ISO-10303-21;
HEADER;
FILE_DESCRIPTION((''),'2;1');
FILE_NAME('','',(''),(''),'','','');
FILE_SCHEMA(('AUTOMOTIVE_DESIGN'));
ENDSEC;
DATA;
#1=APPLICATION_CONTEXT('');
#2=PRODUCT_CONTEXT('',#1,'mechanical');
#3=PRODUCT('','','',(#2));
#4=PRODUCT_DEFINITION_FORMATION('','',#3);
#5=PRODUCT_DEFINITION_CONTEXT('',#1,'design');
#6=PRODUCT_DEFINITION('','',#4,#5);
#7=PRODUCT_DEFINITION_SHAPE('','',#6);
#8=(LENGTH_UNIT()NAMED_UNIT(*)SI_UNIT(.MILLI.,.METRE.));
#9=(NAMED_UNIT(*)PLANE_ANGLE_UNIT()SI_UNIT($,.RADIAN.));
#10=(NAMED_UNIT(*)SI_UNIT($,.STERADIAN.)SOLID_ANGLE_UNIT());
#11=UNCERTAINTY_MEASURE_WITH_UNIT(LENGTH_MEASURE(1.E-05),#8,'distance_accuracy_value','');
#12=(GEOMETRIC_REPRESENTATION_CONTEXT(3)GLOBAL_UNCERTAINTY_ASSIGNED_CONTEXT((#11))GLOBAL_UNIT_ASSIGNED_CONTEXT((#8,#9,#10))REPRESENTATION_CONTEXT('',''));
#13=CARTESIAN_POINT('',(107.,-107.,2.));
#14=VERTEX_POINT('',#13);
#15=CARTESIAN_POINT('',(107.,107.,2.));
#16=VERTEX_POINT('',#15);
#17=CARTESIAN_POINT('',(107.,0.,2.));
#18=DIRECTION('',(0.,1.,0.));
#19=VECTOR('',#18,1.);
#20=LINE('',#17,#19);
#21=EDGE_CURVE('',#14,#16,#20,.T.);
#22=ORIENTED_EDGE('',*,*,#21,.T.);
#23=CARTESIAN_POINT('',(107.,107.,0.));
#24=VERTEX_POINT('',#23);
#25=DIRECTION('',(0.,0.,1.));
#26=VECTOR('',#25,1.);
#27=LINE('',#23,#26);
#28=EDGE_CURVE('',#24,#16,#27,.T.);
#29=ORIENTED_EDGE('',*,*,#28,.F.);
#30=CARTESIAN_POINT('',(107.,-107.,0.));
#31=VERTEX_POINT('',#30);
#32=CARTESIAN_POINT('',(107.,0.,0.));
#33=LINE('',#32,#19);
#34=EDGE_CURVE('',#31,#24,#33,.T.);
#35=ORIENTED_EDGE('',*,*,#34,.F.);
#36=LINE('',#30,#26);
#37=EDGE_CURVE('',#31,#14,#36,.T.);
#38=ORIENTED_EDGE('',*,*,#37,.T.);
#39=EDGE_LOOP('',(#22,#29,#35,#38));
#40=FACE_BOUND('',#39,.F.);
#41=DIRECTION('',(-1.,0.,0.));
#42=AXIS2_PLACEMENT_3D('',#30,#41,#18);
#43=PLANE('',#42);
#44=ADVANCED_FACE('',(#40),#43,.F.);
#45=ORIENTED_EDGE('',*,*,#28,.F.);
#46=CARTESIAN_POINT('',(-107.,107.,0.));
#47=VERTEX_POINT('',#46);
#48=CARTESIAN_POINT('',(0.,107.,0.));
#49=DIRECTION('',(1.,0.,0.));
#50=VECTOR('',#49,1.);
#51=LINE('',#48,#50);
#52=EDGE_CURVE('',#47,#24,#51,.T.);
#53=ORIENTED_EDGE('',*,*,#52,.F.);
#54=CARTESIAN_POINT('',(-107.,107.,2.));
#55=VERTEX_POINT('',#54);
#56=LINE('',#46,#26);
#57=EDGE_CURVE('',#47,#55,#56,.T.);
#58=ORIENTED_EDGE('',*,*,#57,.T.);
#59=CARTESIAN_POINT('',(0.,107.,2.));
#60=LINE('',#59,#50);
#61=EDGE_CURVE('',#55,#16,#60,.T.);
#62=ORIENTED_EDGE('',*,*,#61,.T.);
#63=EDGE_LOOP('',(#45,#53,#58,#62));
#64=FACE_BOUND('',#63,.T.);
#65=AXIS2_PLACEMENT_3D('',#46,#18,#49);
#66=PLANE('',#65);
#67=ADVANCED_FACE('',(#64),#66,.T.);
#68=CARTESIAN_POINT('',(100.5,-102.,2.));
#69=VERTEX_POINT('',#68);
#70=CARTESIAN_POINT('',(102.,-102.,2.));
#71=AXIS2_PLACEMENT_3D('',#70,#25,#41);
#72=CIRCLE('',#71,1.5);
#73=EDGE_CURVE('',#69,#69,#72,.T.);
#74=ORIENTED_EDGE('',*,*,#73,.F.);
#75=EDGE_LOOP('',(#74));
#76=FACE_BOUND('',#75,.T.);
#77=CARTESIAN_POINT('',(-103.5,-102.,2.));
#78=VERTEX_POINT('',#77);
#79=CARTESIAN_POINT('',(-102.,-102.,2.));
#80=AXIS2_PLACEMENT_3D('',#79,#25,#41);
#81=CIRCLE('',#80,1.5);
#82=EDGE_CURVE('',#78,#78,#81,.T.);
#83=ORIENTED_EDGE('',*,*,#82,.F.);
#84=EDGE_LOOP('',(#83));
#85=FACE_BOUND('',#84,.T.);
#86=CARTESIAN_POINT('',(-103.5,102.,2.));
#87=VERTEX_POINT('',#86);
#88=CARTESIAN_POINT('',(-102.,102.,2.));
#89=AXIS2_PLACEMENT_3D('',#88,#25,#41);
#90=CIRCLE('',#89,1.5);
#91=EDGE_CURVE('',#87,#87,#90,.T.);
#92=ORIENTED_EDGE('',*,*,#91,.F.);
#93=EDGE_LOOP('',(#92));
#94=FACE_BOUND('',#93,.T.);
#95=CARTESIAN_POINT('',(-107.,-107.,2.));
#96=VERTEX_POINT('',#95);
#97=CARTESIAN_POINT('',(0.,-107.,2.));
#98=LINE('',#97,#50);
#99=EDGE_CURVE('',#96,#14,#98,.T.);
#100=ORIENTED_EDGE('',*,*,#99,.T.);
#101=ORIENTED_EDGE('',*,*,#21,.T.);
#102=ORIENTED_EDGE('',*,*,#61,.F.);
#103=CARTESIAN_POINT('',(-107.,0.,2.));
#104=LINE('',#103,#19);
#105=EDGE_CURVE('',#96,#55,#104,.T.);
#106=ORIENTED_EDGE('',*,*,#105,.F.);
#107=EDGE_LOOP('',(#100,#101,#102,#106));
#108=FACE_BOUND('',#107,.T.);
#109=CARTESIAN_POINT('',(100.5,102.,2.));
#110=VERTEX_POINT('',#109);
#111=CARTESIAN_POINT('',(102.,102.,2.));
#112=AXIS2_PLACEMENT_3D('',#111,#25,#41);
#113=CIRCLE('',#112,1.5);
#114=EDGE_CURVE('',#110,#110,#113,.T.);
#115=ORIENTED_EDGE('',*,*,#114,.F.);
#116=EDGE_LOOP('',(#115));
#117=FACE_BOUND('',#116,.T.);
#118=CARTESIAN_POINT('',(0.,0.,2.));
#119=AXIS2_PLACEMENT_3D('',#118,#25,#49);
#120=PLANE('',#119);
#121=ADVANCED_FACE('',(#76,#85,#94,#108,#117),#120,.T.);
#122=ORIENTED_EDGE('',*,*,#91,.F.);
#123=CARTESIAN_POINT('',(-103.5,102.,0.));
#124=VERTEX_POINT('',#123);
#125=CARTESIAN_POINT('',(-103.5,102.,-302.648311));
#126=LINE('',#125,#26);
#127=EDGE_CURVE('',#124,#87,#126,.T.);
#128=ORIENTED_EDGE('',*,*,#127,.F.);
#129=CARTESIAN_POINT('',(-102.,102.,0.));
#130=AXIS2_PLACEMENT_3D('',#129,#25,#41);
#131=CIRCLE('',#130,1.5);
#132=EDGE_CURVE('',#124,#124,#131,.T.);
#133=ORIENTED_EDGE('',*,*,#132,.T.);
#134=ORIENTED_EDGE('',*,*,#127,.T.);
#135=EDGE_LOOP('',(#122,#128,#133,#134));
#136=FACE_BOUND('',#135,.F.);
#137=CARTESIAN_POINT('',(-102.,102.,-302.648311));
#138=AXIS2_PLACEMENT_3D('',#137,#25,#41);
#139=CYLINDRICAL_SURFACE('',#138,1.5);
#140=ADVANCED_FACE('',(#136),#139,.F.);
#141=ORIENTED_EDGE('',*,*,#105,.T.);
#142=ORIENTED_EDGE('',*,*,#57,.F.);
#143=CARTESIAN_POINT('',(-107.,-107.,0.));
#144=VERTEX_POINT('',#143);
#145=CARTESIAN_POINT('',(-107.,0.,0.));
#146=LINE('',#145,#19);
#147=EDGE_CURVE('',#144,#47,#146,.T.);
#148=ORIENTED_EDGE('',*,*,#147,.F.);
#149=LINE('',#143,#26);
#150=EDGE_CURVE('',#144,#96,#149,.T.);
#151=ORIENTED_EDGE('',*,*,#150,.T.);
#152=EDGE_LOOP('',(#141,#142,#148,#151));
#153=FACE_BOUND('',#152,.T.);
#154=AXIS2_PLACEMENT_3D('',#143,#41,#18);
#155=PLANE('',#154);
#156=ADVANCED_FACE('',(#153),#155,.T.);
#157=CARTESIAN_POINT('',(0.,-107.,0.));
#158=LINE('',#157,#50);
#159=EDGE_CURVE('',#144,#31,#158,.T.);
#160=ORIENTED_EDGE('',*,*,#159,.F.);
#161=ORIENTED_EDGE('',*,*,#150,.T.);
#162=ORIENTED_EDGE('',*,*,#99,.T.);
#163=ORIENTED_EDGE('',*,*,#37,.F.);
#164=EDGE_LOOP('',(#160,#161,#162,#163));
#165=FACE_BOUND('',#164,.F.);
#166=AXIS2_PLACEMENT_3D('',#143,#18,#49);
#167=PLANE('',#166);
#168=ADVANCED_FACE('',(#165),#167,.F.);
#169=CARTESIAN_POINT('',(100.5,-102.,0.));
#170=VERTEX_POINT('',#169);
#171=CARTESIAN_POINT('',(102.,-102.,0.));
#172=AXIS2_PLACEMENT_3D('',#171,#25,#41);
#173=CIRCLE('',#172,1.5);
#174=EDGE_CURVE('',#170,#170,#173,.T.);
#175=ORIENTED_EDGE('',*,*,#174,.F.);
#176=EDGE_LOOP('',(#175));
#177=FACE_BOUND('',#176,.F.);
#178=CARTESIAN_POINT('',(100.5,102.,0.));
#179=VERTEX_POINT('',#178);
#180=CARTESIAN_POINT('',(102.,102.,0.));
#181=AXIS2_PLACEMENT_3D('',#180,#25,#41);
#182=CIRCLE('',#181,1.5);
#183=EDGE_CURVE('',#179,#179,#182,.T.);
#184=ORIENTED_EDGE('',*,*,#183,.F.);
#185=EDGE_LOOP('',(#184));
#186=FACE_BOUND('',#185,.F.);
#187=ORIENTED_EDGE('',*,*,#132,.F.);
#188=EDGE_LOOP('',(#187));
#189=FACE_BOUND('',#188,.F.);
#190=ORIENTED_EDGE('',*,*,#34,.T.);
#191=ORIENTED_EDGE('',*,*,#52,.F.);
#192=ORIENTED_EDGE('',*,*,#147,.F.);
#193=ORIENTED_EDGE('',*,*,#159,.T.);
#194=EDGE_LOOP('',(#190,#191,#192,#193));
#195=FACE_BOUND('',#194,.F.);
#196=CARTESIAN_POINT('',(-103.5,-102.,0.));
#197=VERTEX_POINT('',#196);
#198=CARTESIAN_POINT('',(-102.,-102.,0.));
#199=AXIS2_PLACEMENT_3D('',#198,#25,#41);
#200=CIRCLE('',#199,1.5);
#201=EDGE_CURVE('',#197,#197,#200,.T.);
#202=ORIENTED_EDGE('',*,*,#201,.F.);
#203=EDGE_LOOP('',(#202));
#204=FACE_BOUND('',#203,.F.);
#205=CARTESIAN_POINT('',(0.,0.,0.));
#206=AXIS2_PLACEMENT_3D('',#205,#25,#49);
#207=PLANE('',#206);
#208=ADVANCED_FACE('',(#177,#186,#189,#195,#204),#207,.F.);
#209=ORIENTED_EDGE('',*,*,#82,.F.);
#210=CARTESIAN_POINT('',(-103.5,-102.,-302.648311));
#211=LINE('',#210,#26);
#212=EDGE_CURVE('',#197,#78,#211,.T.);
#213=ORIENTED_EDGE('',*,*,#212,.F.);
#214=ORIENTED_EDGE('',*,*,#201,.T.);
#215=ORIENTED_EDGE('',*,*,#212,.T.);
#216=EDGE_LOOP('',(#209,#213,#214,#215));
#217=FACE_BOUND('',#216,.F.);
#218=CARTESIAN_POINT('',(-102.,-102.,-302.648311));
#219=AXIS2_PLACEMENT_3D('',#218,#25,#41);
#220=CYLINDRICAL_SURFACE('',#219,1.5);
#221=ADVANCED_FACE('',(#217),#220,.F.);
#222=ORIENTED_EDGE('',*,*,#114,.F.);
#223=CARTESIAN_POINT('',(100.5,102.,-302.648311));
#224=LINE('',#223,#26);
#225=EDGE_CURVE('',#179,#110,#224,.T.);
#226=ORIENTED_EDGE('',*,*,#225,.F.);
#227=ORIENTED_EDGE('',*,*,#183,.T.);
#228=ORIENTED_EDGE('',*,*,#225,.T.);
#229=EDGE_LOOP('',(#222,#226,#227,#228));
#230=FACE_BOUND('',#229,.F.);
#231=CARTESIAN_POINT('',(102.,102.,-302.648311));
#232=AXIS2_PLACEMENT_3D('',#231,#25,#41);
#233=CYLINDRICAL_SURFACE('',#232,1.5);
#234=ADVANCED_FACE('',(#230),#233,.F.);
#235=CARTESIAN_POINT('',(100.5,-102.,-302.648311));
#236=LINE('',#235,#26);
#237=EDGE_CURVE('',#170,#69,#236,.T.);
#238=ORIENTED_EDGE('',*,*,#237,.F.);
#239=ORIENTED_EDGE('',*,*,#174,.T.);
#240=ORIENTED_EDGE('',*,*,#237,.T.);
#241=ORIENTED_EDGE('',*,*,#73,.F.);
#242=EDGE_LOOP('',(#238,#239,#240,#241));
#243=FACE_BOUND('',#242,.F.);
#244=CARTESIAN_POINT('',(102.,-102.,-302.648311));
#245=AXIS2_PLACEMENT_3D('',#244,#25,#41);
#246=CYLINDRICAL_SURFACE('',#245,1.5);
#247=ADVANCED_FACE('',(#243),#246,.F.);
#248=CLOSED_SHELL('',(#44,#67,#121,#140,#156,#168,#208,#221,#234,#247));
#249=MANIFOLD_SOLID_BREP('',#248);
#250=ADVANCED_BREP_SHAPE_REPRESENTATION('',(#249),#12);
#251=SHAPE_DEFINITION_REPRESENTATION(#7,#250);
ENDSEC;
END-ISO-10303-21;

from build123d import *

# Parameters (mm, degrees)
F0_W     = 214
F0_H     = 214
F1_DEPTH = 2
F2_D     = 3


with BuildPart() as f1:
    # F0 (on Top) → F1 (new body)
    with BuildSketch(Plane.XY):
        Rectangle(F0_W, F0_H)
    extrude(amount=F1_DEPTH)

    # F2 (through all)
    with Locations(Plane(origin=(0, 0, 0), x_dir=(1, 0, 0), z_dir=(0, 0, -1))):
        with Locations((-102, 102), (102, 102), (102, -102), (-102, -102)):
            Hole(F2_D / 2)


solid = f1.part
